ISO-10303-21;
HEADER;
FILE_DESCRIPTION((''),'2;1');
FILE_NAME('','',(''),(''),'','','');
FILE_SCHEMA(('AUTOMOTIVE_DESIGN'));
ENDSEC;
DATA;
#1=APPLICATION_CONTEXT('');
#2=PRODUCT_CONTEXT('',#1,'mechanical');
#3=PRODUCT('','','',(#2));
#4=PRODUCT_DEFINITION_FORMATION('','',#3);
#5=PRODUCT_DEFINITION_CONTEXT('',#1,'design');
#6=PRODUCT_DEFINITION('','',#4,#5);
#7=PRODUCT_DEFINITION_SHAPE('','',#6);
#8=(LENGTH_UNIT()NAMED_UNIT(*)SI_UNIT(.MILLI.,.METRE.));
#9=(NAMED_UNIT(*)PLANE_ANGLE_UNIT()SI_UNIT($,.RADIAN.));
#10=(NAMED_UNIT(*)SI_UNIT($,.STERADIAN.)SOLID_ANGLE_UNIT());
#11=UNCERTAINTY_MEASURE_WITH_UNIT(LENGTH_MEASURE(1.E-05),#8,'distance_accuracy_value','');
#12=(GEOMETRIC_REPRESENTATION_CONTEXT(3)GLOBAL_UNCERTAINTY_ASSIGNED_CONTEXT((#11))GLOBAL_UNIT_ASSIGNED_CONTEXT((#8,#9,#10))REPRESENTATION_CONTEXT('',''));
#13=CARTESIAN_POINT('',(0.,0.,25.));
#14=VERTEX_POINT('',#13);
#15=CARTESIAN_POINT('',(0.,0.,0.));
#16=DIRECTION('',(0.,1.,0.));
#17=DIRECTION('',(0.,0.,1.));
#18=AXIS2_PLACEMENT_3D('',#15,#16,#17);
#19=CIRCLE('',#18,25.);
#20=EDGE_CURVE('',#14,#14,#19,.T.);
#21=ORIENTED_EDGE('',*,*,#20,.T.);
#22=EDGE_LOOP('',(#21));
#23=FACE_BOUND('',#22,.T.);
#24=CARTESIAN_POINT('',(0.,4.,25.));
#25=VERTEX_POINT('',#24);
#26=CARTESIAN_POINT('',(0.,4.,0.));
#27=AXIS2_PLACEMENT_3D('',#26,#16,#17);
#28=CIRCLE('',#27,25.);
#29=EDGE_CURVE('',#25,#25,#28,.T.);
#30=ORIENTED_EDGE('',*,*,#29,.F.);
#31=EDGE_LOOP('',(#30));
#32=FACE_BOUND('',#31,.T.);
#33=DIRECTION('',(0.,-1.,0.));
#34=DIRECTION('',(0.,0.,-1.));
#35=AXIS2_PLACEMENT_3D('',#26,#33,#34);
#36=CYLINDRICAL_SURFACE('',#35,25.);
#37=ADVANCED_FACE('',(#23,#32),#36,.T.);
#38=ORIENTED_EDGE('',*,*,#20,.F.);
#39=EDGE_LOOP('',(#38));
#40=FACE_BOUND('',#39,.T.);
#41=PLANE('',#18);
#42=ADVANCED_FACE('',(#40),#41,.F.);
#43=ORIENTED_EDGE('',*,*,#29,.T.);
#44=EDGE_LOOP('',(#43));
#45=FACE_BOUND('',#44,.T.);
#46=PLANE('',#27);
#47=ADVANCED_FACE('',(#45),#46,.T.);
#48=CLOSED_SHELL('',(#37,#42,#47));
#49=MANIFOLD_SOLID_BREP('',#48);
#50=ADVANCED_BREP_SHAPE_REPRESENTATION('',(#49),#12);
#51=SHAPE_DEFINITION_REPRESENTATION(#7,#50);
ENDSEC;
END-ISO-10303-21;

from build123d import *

# Parameters (mm, degrees)
SKETCH1_R           = 25
BOSS_EXTRUDE1_DEPTH = 4


with BuildPart() as part:
    # Sketch1 → Boss-Extrude1 (new body)
    with BuildSketch(Plane(origin=(0, 0, 0), x_dir=(1, 0, 0), z_dir=(0, 1, 0))):
        Circle(SKETCH1_R)
    extrude(amount=BOSS_EXTRUDE1_DEPTH)


solid = part.part
